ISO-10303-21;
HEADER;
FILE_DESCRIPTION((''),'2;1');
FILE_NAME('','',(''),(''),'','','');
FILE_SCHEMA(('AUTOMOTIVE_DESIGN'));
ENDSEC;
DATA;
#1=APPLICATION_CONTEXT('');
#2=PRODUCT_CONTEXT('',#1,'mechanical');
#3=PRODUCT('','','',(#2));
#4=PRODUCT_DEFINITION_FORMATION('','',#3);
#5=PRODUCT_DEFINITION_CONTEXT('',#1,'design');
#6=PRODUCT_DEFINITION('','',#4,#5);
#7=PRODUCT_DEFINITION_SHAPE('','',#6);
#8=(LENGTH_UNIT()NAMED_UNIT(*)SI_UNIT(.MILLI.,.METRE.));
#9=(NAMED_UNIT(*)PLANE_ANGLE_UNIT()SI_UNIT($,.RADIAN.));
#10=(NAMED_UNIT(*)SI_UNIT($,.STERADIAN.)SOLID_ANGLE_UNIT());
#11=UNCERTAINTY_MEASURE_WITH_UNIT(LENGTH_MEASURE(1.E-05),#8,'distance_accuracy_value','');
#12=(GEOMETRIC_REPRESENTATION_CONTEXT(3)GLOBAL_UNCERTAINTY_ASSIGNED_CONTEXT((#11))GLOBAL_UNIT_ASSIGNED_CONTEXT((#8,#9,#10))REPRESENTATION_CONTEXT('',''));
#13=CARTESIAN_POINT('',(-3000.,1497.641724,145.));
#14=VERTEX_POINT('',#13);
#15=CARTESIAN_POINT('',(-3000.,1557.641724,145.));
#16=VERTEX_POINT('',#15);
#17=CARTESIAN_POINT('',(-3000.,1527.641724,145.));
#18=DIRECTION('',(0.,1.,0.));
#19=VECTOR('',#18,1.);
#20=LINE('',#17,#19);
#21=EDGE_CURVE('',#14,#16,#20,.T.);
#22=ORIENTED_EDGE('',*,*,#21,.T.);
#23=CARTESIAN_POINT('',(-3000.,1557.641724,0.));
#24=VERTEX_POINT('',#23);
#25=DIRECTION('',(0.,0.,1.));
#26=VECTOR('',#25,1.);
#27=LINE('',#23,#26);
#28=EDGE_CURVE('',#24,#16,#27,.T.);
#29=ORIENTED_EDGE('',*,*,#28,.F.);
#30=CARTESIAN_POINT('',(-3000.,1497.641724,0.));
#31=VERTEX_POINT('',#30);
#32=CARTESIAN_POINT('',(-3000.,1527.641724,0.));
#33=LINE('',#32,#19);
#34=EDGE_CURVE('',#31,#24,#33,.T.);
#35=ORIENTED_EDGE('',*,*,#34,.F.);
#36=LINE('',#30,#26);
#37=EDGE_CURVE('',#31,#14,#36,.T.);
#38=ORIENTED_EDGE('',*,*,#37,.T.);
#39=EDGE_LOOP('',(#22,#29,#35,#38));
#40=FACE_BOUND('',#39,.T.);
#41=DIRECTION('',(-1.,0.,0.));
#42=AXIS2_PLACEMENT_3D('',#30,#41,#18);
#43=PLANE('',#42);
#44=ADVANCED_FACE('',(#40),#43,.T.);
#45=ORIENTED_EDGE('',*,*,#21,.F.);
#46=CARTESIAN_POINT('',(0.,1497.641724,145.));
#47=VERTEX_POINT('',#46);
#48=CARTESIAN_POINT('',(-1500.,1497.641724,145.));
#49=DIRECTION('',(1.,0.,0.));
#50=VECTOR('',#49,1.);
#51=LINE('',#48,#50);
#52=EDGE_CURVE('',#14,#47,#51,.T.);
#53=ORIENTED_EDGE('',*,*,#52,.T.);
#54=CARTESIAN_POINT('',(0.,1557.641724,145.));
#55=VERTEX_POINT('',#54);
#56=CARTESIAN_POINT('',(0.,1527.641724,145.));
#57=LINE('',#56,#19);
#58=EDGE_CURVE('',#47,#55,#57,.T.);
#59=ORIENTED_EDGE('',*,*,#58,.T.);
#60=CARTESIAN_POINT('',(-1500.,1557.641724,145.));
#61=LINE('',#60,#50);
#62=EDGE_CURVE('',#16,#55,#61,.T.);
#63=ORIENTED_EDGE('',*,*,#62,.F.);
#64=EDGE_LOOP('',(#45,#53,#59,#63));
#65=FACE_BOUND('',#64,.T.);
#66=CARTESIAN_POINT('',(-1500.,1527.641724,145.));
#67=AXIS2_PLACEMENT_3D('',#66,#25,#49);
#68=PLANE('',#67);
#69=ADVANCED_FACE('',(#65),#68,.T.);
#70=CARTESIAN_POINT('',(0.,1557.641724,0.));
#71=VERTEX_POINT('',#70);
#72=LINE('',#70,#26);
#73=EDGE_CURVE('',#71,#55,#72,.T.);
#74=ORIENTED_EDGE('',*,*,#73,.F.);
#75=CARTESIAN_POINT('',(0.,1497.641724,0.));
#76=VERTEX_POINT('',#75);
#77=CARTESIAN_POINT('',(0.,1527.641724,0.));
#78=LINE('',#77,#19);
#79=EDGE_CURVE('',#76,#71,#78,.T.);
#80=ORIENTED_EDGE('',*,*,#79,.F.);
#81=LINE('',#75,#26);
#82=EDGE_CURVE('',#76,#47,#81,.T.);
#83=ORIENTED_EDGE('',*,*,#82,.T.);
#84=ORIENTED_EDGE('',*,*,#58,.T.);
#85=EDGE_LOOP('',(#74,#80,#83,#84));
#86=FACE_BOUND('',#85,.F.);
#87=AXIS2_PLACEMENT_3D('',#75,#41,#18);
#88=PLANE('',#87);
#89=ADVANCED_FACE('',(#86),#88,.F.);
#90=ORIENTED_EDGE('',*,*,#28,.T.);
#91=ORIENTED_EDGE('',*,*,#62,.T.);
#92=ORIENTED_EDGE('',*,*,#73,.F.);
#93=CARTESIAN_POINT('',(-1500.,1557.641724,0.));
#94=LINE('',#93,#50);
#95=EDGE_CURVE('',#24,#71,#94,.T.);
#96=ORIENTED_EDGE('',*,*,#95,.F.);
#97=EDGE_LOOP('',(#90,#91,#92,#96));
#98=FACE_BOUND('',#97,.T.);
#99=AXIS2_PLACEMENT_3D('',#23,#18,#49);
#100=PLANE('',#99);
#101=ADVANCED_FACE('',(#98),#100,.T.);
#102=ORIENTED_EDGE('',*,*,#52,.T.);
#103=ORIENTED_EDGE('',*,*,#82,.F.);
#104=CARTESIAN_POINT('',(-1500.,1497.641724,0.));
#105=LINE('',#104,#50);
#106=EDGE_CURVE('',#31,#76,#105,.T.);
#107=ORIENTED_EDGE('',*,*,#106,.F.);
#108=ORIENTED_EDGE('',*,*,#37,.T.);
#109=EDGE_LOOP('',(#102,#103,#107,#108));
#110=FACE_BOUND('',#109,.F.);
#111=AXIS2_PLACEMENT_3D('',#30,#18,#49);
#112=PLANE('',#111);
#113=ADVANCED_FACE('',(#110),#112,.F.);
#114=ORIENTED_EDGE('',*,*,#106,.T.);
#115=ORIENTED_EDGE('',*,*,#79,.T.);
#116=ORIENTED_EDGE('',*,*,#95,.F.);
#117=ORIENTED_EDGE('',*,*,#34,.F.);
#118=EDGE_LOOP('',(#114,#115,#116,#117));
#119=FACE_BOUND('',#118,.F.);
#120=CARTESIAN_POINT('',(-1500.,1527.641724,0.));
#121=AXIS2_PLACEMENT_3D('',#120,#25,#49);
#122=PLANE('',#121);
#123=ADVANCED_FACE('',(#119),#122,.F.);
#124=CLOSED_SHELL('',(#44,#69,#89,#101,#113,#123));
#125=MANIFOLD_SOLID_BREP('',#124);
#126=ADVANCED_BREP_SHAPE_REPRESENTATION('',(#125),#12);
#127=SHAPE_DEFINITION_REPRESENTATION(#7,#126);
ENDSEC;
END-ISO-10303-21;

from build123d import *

# Parameters (mm, degrees)
SKETCH001_W = 3000
SKETCH001_H = 60
PAD_DEPTH   = 145


with BuildPart() as part:
    # Sketch001 → Pad (new body)
    with BuildSketch(Plane.XY):
        with Locations((-1500, 1527.641724)):
            Rectangle(SKETCH001_W, SKETCH001_H)
    extrude(amount=PAD_DEPTH)


solid = part.part
